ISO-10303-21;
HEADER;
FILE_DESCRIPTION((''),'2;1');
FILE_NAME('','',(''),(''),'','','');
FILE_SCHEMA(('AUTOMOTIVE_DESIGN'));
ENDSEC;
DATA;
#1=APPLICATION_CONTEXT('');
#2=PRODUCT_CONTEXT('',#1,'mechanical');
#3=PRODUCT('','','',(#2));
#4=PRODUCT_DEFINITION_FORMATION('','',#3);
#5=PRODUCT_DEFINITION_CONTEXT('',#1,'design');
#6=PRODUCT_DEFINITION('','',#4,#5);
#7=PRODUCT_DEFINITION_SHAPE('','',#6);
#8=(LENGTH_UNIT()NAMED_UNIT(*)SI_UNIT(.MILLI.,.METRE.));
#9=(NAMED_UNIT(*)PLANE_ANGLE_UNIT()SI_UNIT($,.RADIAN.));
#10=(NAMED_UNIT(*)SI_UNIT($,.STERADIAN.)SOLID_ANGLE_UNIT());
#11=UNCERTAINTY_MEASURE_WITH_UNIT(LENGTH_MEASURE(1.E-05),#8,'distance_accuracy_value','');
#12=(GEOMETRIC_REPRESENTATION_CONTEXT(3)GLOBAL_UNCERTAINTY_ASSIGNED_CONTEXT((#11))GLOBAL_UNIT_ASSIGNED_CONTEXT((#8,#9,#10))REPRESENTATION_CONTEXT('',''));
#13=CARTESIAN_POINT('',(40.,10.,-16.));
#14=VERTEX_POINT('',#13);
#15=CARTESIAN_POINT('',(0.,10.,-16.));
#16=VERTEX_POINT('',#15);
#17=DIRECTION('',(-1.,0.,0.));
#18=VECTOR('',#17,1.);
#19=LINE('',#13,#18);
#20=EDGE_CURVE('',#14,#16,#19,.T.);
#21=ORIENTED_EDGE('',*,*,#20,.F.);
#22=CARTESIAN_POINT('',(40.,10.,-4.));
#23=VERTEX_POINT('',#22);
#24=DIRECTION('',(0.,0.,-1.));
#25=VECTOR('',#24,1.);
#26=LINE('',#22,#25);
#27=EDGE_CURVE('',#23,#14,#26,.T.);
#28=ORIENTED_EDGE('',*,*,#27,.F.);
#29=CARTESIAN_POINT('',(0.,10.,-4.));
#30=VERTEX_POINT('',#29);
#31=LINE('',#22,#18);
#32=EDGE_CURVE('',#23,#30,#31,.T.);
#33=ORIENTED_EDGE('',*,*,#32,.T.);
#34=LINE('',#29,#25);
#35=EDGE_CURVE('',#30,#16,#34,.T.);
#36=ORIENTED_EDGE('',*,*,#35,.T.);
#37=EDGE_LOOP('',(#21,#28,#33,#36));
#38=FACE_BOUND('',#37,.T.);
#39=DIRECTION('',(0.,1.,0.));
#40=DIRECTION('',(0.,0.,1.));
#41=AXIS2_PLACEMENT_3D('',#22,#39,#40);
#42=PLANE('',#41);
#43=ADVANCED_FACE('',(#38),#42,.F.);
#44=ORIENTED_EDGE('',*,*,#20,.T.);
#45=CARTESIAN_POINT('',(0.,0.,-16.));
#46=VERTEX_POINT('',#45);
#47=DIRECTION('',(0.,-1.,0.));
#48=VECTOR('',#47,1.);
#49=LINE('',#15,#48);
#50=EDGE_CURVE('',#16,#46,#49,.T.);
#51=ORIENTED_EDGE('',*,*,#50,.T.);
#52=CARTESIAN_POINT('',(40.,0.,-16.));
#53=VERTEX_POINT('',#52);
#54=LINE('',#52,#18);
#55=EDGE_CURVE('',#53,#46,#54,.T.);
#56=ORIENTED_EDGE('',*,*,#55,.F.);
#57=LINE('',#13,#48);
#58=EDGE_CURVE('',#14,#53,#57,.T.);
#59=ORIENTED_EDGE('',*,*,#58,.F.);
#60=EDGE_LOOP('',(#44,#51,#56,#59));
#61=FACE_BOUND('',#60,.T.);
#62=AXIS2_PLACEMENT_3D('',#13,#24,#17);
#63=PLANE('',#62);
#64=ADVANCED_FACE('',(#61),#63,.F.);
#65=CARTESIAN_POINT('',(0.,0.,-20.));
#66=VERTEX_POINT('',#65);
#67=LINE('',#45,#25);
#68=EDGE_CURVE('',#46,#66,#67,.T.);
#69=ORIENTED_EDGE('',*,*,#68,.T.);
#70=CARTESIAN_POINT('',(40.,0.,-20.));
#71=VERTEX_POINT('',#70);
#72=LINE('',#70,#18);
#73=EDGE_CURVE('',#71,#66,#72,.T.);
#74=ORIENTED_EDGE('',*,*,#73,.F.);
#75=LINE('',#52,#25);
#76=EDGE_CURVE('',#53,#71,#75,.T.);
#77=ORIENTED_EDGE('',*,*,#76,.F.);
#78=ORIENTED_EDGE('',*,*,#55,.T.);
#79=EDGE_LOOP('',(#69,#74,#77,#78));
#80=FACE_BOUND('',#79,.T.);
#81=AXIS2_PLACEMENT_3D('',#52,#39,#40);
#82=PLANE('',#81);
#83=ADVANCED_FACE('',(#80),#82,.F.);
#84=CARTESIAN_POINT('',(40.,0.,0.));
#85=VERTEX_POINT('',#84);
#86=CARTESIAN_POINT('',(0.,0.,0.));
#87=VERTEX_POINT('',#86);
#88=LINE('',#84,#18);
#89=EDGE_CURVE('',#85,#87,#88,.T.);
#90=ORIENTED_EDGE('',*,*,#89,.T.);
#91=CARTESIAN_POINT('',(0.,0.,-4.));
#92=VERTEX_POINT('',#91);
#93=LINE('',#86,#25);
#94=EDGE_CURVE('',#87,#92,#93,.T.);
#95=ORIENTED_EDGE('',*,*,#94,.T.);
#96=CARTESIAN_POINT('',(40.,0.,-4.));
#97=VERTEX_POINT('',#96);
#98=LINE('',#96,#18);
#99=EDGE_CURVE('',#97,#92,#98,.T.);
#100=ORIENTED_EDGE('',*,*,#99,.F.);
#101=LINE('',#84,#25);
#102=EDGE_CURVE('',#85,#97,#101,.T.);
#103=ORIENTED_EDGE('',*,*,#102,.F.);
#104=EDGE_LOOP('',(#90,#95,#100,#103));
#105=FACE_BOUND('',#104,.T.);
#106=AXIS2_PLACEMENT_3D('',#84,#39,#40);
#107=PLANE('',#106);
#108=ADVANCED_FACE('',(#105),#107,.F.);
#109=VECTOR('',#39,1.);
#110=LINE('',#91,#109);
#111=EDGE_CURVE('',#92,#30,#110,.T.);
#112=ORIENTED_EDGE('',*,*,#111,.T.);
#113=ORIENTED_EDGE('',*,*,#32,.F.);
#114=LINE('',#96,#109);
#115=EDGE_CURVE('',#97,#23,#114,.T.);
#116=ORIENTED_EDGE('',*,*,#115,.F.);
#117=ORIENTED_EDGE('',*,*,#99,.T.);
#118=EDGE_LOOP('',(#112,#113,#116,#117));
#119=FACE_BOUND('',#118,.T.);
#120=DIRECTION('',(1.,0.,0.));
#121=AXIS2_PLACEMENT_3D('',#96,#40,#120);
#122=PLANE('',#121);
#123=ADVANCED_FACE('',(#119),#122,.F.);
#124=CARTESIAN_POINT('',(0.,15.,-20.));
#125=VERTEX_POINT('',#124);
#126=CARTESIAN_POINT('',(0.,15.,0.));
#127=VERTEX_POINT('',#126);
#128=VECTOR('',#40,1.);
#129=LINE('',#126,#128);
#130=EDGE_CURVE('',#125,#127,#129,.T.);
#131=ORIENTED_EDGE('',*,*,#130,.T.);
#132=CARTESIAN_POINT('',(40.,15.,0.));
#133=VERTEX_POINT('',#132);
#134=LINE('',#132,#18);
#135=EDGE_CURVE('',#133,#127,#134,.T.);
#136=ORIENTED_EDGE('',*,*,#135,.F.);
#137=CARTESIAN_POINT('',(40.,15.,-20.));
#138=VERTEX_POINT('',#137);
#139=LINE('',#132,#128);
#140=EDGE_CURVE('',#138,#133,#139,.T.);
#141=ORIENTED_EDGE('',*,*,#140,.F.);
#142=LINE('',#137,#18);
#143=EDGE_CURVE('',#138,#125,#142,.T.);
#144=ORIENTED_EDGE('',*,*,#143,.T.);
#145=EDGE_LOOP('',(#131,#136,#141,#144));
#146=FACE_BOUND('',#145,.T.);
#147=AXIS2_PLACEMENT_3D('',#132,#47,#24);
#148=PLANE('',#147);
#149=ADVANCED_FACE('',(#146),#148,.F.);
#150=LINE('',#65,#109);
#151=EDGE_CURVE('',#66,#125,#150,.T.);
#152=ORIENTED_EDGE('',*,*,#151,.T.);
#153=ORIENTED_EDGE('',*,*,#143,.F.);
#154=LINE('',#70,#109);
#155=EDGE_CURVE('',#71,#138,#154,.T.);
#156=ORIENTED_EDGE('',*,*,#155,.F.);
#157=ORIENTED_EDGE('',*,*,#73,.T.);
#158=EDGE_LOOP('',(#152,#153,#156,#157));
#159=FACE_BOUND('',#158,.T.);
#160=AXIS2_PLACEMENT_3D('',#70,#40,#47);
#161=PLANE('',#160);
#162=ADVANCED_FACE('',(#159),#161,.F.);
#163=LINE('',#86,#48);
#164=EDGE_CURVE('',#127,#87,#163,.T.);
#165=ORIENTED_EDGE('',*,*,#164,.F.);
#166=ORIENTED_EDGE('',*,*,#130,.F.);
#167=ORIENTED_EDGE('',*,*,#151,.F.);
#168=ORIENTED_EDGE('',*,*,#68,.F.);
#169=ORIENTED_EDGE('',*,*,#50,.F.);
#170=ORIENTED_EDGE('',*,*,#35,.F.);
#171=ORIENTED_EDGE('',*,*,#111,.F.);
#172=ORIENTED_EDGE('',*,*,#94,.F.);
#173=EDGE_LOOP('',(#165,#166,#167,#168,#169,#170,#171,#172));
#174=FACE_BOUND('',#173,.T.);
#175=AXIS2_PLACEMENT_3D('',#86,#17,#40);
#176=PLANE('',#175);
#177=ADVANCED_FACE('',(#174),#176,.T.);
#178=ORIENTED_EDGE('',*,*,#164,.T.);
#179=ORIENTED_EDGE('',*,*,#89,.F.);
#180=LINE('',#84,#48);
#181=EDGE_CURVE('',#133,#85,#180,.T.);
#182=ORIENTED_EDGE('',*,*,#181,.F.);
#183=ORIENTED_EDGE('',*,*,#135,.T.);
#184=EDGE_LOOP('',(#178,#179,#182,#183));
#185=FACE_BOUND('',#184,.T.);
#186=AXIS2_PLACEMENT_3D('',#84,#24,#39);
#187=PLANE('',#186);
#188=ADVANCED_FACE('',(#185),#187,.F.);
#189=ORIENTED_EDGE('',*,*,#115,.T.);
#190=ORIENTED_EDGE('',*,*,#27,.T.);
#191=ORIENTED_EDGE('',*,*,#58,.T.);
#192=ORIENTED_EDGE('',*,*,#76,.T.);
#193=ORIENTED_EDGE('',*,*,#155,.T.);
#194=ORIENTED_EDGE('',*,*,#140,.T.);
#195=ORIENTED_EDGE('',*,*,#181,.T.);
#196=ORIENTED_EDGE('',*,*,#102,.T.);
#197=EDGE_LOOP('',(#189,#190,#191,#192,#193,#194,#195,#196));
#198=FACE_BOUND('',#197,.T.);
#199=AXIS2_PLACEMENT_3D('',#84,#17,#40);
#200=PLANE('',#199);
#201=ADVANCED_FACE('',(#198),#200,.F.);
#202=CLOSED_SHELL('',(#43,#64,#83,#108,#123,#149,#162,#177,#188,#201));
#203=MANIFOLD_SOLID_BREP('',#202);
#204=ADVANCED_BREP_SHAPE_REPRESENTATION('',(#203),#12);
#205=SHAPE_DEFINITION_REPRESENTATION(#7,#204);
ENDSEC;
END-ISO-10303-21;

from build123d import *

# Parameters (mm, degrees)
EXTRUDE_1_DEPTH = 40


with BuildPart() as part:
    # 草图1 → 凸台-拉伸1 (new body)
    with BuildSketch(Plane(origin=(0, 0, 0), x_dir=(0, 0, -1), z_dir=(1, 0, 0))):
        Polygon((4, 0), (4, 10), (16, 10), (16, 0), (20, 0), (20, 15), (0, 15), (0, 0), align=None)
    extrude(amount=EXTRUDE_1_DEPTH)


solid = part.part
